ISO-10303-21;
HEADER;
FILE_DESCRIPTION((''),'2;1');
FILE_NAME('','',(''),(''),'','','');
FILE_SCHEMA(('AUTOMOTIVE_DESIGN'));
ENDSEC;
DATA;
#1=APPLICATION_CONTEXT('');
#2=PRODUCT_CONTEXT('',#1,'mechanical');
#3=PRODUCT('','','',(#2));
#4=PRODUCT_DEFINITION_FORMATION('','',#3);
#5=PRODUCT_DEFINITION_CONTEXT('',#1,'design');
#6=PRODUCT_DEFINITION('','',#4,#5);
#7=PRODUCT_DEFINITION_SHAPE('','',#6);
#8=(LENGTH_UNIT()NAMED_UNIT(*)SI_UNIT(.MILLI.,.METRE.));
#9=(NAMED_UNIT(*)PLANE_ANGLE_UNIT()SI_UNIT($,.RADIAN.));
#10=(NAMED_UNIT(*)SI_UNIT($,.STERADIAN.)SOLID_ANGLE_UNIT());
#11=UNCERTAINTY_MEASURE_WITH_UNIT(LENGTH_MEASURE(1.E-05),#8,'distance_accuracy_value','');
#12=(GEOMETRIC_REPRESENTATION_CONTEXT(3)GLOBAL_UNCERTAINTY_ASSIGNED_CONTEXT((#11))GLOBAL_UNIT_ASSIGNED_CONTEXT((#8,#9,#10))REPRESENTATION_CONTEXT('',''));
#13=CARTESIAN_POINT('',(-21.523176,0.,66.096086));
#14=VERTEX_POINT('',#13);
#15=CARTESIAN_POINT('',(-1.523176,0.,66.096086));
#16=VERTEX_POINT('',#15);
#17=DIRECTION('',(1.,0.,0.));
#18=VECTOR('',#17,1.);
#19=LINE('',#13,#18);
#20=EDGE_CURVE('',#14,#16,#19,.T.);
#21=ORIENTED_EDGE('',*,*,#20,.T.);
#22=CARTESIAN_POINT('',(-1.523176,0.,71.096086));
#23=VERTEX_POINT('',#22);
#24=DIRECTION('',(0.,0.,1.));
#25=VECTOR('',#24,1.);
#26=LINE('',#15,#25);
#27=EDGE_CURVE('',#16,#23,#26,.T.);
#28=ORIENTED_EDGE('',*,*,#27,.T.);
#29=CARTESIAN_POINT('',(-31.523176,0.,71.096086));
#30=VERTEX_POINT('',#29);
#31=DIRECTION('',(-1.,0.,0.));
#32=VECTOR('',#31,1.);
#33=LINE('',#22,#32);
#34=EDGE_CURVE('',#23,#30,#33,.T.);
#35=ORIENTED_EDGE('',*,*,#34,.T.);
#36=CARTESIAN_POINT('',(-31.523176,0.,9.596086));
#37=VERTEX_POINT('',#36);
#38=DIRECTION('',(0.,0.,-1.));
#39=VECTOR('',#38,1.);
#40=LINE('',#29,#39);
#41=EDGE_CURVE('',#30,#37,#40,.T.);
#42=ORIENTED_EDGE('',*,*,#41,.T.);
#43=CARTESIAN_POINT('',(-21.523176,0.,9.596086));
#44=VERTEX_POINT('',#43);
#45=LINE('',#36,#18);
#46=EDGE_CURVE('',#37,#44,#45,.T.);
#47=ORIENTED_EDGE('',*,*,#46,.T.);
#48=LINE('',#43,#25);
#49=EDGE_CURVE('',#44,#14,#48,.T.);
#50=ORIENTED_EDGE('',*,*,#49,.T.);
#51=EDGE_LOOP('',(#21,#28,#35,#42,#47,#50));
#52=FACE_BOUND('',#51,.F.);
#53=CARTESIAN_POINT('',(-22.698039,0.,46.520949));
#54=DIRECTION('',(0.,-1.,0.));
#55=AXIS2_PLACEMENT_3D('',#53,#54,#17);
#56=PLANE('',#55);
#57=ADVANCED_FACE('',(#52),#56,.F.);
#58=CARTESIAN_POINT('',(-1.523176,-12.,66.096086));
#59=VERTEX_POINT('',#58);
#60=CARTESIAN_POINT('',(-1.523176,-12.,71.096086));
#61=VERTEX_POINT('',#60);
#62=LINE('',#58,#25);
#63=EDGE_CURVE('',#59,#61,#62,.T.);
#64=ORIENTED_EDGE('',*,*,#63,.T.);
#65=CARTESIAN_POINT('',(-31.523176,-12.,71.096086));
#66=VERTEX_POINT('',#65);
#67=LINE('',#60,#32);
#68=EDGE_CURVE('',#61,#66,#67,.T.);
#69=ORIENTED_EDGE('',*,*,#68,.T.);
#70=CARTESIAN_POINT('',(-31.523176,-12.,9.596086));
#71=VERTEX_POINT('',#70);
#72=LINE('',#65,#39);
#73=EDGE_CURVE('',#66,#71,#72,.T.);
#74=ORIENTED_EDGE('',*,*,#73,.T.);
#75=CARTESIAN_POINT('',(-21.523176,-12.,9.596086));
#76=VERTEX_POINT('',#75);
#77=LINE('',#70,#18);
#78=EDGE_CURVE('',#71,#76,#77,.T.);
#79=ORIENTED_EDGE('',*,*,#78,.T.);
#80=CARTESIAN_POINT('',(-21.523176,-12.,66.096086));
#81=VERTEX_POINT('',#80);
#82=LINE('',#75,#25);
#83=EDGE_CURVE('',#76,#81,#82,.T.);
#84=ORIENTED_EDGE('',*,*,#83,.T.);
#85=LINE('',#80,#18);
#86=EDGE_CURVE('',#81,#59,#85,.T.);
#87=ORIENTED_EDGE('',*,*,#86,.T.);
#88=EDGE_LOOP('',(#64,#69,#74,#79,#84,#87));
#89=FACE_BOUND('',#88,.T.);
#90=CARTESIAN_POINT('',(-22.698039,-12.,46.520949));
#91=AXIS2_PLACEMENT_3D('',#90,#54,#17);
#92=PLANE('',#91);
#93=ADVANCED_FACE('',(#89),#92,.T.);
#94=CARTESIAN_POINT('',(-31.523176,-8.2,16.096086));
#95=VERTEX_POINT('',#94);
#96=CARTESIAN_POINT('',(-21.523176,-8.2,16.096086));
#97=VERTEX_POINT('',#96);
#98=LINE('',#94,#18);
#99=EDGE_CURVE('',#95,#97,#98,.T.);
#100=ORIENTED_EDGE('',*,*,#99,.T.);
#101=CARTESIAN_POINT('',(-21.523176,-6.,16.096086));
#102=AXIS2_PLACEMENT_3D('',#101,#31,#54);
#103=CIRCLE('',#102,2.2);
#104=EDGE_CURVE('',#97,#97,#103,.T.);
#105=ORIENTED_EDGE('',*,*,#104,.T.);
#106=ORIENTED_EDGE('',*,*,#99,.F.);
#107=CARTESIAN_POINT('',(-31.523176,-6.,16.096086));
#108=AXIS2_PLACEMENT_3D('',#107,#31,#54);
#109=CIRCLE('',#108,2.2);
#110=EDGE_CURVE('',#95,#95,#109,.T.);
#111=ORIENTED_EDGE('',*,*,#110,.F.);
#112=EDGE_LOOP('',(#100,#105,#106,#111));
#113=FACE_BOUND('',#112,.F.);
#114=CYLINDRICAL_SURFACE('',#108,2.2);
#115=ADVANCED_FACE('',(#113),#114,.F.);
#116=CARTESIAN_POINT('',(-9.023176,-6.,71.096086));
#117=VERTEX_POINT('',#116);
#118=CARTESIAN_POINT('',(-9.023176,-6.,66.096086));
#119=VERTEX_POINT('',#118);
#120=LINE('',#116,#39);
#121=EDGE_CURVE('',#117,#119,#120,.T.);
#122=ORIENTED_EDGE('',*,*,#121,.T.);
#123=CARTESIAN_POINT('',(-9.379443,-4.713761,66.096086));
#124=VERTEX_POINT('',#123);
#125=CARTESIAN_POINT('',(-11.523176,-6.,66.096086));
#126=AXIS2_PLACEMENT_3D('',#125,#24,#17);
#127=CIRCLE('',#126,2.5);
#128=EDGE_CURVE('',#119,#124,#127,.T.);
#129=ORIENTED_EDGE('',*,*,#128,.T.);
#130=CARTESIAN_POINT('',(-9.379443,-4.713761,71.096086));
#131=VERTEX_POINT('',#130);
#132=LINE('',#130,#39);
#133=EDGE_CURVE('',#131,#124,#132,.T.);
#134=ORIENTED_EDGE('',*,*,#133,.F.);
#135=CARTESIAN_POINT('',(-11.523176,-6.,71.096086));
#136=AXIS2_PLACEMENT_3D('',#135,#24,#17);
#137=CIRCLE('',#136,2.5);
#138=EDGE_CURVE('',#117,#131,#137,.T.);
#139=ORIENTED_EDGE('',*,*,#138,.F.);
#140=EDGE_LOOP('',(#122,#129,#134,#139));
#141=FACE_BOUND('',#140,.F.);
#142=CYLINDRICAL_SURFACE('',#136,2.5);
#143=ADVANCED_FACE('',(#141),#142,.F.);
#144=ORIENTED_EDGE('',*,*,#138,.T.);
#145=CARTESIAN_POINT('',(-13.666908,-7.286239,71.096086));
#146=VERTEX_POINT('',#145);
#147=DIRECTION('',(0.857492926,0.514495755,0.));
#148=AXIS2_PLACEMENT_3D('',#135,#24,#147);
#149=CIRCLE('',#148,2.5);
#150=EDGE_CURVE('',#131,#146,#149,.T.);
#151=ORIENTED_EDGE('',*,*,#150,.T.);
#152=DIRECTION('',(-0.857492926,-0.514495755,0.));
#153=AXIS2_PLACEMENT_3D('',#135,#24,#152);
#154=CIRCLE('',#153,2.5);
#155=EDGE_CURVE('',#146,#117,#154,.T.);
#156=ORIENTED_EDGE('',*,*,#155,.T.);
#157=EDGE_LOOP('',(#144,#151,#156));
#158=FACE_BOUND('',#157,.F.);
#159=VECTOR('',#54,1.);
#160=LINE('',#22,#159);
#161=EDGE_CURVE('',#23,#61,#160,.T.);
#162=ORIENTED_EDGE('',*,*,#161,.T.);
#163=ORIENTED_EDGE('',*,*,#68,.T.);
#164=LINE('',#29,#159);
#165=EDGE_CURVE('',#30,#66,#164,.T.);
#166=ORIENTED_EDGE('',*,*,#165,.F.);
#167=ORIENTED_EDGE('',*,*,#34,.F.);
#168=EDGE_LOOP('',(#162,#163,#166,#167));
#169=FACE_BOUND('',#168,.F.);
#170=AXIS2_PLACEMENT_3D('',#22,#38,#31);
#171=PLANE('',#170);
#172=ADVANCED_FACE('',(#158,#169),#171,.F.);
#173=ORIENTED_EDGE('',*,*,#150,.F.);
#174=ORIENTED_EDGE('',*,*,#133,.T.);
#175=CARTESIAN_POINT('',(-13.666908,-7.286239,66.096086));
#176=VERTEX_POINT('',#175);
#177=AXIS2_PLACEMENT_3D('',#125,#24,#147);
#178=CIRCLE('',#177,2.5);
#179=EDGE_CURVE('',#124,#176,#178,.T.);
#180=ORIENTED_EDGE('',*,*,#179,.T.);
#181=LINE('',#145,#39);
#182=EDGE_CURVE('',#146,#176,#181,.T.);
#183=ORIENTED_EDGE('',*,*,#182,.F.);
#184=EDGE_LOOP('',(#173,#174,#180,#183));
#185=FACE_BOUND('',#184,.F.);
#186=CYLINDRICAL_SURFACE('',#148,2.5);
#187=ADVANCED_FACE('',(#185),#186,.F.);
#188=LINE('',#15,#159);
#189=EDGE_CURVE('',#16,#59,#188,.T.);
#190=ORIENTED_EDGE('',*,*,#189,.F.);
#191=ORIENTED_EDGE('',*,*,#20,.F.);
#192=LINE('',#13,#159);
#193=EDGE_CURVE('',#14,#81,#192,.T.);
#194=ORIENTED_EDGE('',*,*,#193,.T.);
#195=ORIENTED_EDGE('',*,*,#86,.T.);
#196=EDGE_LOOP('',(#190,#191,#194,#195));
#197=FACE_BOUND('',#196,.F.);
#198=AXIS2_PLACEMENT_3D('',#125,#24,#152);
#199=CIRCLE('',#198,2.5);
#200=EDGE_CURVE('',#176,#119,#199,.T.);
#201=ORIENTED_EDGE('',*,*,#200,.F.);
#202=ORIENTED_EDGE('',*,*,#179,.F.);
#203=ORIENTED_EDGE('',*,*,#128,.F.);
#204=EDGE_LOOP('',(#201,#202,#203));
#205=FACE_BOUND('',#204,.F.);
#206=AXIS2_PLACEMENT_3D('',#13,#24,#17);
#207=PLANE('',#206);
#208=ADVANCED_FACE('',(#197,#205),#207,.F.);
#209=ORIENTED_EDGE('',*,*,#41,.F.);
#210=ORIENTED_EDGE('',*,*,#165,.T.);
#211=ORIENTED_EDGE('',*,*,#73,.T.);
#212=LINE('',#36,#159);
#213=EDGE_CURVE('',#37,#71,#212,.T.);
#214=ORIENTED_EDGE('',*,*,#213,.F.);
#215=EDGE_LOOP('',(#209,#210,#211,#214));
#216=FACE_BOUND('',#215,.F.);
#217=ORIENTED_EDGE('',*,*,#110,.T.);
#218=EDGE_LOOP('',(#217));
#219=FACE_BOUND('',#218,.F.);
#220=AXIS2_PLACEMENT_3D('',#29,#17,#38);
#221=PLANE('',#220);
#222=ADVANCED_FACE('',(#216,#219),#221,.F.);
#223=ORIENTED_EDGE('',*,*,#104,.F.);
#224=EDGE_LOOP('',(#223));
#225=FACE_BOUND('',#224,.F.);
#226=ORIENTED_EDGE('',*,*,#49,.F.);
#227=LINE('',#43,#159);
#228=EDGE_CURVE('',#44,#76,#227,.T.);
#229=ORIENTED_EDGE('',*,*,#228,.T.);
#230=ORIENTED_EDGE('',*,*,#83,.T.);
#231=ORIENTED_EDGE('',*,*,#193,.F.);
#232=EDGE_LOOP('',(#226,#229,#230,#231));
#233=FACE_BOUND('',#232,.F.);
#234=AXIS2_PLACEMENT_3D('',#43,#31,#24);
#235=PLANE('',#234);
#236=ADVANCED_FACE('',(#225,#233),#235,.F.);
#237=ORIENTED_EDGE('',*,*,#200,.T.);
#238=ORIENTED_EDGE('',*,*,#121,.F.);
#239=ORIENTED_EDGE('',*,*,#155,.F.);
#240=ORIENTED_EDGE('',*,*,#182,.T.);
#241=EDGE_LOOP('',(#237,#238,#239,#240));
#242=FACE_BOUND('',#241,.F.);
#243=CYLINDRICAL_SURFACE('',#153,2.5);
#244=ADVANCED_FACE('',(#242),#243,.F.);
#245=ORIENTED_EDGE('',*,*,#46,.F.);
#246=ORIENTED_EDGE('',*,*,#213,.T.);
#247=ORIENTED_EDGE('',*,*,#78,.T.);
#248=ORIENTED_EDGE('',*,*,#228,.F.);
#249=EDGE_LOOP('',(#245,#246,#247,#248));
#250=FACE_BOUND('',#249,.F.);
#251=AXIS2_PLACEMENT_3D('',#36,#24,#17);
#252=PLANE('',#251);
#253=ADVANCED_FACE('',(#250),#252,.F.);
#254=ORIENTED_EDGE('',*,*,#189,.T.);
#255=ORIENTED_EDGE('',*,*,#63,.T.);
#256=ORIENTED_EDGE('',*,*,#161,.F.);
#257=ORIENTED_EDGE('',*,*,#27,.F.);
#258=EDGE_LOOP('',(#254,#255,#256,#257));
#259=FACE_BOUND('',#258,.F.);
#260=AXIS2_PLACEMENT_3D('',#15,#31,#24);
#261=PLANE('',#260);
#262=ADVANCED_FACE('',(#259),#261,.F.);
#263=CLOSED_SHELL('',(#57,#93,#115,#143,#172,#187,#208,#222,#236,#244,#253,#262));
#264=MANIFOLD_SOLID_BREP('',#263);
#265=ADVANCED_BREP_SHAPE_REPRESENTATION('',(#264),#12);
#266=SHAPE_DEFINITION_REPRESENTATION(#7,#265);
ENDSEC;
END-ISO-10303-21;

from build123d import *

# Parameters (mm, degrees)
F1_DEPTH = 12
F3_DEPTH = 25
F5_DEPTH = 25


with BuildPart() as f1:
    # F0 (on Front) → F1 (new body)
    with BuildSketch(Plane.XZ):
        Polygon((-1.5231755376, 71.0960855484), (-31.5231755376, 71.0960855484), (-31.5231755376, 9.5960855484), (-21.5231755376, 9.5960855484), (-21.5231755376, 66.0960855484), (-1.5231755376, 66.0960855484), align=None)
    extrude(amount=F1_DEPTH)

    # F2 (on face) → F3 (cut)
    with BuildSketch(Plane(origin=(-31.5231755376, 0, 0), x_dir=(0, -1, 0), z_dir=(-1, 0, 0))):
        with BuildLine():
            ThreePointArc((3.8, 16.0960855484), (6, 13.8960855484), (8.2, 16.0960855484))
            Line((8.2, 16.0960855484), (3.8, 16.0960855484))
        make_face()
        with BuildLine():
            Line((3.8, 16.0960855484), (8.2, 16.0960855484))
            ThreePointArc((8.2, 16.0960855484), (6, 18.2960855484), (3.8, 16.0960855484))
        make_face()
    extrude(amount=-F3_DEPTH, mode=Mode.SUBTRACT)

    # F4 (on face) → F5 (cut)
    with BuildSketch(Plane.XY.offset(71.0960855484)):
        with BuildLine():
            ThreePointArc((-9.3794432233, -4.7137606114), (-12.8094149262, -3.8562676857), (-13.6669078519, -7.2862393886))
            Line((-13.6669078519, -7.2862393886), (-9.3794432233, -4.7137606114))
        make_face()
        with BuildLine():
            Line((-9.3794432233, -4.7137606114), (-13.6669078519, -7.2862393886))
            ThreePointArc((-13.6669078519, -7.2862393886), (-10.8558415828, -8.4092873205), (-9.0231755376, -6))
            ThreePointArc((-9.0231755376, -6), (-9.1138882171, -5.3326660453), (-9.3794432233, -4.7137606114))
        make_face()
    extrude(amount=-F5_DEPTH, mode=Mode.SUBTRACT)


solid = f1.part
